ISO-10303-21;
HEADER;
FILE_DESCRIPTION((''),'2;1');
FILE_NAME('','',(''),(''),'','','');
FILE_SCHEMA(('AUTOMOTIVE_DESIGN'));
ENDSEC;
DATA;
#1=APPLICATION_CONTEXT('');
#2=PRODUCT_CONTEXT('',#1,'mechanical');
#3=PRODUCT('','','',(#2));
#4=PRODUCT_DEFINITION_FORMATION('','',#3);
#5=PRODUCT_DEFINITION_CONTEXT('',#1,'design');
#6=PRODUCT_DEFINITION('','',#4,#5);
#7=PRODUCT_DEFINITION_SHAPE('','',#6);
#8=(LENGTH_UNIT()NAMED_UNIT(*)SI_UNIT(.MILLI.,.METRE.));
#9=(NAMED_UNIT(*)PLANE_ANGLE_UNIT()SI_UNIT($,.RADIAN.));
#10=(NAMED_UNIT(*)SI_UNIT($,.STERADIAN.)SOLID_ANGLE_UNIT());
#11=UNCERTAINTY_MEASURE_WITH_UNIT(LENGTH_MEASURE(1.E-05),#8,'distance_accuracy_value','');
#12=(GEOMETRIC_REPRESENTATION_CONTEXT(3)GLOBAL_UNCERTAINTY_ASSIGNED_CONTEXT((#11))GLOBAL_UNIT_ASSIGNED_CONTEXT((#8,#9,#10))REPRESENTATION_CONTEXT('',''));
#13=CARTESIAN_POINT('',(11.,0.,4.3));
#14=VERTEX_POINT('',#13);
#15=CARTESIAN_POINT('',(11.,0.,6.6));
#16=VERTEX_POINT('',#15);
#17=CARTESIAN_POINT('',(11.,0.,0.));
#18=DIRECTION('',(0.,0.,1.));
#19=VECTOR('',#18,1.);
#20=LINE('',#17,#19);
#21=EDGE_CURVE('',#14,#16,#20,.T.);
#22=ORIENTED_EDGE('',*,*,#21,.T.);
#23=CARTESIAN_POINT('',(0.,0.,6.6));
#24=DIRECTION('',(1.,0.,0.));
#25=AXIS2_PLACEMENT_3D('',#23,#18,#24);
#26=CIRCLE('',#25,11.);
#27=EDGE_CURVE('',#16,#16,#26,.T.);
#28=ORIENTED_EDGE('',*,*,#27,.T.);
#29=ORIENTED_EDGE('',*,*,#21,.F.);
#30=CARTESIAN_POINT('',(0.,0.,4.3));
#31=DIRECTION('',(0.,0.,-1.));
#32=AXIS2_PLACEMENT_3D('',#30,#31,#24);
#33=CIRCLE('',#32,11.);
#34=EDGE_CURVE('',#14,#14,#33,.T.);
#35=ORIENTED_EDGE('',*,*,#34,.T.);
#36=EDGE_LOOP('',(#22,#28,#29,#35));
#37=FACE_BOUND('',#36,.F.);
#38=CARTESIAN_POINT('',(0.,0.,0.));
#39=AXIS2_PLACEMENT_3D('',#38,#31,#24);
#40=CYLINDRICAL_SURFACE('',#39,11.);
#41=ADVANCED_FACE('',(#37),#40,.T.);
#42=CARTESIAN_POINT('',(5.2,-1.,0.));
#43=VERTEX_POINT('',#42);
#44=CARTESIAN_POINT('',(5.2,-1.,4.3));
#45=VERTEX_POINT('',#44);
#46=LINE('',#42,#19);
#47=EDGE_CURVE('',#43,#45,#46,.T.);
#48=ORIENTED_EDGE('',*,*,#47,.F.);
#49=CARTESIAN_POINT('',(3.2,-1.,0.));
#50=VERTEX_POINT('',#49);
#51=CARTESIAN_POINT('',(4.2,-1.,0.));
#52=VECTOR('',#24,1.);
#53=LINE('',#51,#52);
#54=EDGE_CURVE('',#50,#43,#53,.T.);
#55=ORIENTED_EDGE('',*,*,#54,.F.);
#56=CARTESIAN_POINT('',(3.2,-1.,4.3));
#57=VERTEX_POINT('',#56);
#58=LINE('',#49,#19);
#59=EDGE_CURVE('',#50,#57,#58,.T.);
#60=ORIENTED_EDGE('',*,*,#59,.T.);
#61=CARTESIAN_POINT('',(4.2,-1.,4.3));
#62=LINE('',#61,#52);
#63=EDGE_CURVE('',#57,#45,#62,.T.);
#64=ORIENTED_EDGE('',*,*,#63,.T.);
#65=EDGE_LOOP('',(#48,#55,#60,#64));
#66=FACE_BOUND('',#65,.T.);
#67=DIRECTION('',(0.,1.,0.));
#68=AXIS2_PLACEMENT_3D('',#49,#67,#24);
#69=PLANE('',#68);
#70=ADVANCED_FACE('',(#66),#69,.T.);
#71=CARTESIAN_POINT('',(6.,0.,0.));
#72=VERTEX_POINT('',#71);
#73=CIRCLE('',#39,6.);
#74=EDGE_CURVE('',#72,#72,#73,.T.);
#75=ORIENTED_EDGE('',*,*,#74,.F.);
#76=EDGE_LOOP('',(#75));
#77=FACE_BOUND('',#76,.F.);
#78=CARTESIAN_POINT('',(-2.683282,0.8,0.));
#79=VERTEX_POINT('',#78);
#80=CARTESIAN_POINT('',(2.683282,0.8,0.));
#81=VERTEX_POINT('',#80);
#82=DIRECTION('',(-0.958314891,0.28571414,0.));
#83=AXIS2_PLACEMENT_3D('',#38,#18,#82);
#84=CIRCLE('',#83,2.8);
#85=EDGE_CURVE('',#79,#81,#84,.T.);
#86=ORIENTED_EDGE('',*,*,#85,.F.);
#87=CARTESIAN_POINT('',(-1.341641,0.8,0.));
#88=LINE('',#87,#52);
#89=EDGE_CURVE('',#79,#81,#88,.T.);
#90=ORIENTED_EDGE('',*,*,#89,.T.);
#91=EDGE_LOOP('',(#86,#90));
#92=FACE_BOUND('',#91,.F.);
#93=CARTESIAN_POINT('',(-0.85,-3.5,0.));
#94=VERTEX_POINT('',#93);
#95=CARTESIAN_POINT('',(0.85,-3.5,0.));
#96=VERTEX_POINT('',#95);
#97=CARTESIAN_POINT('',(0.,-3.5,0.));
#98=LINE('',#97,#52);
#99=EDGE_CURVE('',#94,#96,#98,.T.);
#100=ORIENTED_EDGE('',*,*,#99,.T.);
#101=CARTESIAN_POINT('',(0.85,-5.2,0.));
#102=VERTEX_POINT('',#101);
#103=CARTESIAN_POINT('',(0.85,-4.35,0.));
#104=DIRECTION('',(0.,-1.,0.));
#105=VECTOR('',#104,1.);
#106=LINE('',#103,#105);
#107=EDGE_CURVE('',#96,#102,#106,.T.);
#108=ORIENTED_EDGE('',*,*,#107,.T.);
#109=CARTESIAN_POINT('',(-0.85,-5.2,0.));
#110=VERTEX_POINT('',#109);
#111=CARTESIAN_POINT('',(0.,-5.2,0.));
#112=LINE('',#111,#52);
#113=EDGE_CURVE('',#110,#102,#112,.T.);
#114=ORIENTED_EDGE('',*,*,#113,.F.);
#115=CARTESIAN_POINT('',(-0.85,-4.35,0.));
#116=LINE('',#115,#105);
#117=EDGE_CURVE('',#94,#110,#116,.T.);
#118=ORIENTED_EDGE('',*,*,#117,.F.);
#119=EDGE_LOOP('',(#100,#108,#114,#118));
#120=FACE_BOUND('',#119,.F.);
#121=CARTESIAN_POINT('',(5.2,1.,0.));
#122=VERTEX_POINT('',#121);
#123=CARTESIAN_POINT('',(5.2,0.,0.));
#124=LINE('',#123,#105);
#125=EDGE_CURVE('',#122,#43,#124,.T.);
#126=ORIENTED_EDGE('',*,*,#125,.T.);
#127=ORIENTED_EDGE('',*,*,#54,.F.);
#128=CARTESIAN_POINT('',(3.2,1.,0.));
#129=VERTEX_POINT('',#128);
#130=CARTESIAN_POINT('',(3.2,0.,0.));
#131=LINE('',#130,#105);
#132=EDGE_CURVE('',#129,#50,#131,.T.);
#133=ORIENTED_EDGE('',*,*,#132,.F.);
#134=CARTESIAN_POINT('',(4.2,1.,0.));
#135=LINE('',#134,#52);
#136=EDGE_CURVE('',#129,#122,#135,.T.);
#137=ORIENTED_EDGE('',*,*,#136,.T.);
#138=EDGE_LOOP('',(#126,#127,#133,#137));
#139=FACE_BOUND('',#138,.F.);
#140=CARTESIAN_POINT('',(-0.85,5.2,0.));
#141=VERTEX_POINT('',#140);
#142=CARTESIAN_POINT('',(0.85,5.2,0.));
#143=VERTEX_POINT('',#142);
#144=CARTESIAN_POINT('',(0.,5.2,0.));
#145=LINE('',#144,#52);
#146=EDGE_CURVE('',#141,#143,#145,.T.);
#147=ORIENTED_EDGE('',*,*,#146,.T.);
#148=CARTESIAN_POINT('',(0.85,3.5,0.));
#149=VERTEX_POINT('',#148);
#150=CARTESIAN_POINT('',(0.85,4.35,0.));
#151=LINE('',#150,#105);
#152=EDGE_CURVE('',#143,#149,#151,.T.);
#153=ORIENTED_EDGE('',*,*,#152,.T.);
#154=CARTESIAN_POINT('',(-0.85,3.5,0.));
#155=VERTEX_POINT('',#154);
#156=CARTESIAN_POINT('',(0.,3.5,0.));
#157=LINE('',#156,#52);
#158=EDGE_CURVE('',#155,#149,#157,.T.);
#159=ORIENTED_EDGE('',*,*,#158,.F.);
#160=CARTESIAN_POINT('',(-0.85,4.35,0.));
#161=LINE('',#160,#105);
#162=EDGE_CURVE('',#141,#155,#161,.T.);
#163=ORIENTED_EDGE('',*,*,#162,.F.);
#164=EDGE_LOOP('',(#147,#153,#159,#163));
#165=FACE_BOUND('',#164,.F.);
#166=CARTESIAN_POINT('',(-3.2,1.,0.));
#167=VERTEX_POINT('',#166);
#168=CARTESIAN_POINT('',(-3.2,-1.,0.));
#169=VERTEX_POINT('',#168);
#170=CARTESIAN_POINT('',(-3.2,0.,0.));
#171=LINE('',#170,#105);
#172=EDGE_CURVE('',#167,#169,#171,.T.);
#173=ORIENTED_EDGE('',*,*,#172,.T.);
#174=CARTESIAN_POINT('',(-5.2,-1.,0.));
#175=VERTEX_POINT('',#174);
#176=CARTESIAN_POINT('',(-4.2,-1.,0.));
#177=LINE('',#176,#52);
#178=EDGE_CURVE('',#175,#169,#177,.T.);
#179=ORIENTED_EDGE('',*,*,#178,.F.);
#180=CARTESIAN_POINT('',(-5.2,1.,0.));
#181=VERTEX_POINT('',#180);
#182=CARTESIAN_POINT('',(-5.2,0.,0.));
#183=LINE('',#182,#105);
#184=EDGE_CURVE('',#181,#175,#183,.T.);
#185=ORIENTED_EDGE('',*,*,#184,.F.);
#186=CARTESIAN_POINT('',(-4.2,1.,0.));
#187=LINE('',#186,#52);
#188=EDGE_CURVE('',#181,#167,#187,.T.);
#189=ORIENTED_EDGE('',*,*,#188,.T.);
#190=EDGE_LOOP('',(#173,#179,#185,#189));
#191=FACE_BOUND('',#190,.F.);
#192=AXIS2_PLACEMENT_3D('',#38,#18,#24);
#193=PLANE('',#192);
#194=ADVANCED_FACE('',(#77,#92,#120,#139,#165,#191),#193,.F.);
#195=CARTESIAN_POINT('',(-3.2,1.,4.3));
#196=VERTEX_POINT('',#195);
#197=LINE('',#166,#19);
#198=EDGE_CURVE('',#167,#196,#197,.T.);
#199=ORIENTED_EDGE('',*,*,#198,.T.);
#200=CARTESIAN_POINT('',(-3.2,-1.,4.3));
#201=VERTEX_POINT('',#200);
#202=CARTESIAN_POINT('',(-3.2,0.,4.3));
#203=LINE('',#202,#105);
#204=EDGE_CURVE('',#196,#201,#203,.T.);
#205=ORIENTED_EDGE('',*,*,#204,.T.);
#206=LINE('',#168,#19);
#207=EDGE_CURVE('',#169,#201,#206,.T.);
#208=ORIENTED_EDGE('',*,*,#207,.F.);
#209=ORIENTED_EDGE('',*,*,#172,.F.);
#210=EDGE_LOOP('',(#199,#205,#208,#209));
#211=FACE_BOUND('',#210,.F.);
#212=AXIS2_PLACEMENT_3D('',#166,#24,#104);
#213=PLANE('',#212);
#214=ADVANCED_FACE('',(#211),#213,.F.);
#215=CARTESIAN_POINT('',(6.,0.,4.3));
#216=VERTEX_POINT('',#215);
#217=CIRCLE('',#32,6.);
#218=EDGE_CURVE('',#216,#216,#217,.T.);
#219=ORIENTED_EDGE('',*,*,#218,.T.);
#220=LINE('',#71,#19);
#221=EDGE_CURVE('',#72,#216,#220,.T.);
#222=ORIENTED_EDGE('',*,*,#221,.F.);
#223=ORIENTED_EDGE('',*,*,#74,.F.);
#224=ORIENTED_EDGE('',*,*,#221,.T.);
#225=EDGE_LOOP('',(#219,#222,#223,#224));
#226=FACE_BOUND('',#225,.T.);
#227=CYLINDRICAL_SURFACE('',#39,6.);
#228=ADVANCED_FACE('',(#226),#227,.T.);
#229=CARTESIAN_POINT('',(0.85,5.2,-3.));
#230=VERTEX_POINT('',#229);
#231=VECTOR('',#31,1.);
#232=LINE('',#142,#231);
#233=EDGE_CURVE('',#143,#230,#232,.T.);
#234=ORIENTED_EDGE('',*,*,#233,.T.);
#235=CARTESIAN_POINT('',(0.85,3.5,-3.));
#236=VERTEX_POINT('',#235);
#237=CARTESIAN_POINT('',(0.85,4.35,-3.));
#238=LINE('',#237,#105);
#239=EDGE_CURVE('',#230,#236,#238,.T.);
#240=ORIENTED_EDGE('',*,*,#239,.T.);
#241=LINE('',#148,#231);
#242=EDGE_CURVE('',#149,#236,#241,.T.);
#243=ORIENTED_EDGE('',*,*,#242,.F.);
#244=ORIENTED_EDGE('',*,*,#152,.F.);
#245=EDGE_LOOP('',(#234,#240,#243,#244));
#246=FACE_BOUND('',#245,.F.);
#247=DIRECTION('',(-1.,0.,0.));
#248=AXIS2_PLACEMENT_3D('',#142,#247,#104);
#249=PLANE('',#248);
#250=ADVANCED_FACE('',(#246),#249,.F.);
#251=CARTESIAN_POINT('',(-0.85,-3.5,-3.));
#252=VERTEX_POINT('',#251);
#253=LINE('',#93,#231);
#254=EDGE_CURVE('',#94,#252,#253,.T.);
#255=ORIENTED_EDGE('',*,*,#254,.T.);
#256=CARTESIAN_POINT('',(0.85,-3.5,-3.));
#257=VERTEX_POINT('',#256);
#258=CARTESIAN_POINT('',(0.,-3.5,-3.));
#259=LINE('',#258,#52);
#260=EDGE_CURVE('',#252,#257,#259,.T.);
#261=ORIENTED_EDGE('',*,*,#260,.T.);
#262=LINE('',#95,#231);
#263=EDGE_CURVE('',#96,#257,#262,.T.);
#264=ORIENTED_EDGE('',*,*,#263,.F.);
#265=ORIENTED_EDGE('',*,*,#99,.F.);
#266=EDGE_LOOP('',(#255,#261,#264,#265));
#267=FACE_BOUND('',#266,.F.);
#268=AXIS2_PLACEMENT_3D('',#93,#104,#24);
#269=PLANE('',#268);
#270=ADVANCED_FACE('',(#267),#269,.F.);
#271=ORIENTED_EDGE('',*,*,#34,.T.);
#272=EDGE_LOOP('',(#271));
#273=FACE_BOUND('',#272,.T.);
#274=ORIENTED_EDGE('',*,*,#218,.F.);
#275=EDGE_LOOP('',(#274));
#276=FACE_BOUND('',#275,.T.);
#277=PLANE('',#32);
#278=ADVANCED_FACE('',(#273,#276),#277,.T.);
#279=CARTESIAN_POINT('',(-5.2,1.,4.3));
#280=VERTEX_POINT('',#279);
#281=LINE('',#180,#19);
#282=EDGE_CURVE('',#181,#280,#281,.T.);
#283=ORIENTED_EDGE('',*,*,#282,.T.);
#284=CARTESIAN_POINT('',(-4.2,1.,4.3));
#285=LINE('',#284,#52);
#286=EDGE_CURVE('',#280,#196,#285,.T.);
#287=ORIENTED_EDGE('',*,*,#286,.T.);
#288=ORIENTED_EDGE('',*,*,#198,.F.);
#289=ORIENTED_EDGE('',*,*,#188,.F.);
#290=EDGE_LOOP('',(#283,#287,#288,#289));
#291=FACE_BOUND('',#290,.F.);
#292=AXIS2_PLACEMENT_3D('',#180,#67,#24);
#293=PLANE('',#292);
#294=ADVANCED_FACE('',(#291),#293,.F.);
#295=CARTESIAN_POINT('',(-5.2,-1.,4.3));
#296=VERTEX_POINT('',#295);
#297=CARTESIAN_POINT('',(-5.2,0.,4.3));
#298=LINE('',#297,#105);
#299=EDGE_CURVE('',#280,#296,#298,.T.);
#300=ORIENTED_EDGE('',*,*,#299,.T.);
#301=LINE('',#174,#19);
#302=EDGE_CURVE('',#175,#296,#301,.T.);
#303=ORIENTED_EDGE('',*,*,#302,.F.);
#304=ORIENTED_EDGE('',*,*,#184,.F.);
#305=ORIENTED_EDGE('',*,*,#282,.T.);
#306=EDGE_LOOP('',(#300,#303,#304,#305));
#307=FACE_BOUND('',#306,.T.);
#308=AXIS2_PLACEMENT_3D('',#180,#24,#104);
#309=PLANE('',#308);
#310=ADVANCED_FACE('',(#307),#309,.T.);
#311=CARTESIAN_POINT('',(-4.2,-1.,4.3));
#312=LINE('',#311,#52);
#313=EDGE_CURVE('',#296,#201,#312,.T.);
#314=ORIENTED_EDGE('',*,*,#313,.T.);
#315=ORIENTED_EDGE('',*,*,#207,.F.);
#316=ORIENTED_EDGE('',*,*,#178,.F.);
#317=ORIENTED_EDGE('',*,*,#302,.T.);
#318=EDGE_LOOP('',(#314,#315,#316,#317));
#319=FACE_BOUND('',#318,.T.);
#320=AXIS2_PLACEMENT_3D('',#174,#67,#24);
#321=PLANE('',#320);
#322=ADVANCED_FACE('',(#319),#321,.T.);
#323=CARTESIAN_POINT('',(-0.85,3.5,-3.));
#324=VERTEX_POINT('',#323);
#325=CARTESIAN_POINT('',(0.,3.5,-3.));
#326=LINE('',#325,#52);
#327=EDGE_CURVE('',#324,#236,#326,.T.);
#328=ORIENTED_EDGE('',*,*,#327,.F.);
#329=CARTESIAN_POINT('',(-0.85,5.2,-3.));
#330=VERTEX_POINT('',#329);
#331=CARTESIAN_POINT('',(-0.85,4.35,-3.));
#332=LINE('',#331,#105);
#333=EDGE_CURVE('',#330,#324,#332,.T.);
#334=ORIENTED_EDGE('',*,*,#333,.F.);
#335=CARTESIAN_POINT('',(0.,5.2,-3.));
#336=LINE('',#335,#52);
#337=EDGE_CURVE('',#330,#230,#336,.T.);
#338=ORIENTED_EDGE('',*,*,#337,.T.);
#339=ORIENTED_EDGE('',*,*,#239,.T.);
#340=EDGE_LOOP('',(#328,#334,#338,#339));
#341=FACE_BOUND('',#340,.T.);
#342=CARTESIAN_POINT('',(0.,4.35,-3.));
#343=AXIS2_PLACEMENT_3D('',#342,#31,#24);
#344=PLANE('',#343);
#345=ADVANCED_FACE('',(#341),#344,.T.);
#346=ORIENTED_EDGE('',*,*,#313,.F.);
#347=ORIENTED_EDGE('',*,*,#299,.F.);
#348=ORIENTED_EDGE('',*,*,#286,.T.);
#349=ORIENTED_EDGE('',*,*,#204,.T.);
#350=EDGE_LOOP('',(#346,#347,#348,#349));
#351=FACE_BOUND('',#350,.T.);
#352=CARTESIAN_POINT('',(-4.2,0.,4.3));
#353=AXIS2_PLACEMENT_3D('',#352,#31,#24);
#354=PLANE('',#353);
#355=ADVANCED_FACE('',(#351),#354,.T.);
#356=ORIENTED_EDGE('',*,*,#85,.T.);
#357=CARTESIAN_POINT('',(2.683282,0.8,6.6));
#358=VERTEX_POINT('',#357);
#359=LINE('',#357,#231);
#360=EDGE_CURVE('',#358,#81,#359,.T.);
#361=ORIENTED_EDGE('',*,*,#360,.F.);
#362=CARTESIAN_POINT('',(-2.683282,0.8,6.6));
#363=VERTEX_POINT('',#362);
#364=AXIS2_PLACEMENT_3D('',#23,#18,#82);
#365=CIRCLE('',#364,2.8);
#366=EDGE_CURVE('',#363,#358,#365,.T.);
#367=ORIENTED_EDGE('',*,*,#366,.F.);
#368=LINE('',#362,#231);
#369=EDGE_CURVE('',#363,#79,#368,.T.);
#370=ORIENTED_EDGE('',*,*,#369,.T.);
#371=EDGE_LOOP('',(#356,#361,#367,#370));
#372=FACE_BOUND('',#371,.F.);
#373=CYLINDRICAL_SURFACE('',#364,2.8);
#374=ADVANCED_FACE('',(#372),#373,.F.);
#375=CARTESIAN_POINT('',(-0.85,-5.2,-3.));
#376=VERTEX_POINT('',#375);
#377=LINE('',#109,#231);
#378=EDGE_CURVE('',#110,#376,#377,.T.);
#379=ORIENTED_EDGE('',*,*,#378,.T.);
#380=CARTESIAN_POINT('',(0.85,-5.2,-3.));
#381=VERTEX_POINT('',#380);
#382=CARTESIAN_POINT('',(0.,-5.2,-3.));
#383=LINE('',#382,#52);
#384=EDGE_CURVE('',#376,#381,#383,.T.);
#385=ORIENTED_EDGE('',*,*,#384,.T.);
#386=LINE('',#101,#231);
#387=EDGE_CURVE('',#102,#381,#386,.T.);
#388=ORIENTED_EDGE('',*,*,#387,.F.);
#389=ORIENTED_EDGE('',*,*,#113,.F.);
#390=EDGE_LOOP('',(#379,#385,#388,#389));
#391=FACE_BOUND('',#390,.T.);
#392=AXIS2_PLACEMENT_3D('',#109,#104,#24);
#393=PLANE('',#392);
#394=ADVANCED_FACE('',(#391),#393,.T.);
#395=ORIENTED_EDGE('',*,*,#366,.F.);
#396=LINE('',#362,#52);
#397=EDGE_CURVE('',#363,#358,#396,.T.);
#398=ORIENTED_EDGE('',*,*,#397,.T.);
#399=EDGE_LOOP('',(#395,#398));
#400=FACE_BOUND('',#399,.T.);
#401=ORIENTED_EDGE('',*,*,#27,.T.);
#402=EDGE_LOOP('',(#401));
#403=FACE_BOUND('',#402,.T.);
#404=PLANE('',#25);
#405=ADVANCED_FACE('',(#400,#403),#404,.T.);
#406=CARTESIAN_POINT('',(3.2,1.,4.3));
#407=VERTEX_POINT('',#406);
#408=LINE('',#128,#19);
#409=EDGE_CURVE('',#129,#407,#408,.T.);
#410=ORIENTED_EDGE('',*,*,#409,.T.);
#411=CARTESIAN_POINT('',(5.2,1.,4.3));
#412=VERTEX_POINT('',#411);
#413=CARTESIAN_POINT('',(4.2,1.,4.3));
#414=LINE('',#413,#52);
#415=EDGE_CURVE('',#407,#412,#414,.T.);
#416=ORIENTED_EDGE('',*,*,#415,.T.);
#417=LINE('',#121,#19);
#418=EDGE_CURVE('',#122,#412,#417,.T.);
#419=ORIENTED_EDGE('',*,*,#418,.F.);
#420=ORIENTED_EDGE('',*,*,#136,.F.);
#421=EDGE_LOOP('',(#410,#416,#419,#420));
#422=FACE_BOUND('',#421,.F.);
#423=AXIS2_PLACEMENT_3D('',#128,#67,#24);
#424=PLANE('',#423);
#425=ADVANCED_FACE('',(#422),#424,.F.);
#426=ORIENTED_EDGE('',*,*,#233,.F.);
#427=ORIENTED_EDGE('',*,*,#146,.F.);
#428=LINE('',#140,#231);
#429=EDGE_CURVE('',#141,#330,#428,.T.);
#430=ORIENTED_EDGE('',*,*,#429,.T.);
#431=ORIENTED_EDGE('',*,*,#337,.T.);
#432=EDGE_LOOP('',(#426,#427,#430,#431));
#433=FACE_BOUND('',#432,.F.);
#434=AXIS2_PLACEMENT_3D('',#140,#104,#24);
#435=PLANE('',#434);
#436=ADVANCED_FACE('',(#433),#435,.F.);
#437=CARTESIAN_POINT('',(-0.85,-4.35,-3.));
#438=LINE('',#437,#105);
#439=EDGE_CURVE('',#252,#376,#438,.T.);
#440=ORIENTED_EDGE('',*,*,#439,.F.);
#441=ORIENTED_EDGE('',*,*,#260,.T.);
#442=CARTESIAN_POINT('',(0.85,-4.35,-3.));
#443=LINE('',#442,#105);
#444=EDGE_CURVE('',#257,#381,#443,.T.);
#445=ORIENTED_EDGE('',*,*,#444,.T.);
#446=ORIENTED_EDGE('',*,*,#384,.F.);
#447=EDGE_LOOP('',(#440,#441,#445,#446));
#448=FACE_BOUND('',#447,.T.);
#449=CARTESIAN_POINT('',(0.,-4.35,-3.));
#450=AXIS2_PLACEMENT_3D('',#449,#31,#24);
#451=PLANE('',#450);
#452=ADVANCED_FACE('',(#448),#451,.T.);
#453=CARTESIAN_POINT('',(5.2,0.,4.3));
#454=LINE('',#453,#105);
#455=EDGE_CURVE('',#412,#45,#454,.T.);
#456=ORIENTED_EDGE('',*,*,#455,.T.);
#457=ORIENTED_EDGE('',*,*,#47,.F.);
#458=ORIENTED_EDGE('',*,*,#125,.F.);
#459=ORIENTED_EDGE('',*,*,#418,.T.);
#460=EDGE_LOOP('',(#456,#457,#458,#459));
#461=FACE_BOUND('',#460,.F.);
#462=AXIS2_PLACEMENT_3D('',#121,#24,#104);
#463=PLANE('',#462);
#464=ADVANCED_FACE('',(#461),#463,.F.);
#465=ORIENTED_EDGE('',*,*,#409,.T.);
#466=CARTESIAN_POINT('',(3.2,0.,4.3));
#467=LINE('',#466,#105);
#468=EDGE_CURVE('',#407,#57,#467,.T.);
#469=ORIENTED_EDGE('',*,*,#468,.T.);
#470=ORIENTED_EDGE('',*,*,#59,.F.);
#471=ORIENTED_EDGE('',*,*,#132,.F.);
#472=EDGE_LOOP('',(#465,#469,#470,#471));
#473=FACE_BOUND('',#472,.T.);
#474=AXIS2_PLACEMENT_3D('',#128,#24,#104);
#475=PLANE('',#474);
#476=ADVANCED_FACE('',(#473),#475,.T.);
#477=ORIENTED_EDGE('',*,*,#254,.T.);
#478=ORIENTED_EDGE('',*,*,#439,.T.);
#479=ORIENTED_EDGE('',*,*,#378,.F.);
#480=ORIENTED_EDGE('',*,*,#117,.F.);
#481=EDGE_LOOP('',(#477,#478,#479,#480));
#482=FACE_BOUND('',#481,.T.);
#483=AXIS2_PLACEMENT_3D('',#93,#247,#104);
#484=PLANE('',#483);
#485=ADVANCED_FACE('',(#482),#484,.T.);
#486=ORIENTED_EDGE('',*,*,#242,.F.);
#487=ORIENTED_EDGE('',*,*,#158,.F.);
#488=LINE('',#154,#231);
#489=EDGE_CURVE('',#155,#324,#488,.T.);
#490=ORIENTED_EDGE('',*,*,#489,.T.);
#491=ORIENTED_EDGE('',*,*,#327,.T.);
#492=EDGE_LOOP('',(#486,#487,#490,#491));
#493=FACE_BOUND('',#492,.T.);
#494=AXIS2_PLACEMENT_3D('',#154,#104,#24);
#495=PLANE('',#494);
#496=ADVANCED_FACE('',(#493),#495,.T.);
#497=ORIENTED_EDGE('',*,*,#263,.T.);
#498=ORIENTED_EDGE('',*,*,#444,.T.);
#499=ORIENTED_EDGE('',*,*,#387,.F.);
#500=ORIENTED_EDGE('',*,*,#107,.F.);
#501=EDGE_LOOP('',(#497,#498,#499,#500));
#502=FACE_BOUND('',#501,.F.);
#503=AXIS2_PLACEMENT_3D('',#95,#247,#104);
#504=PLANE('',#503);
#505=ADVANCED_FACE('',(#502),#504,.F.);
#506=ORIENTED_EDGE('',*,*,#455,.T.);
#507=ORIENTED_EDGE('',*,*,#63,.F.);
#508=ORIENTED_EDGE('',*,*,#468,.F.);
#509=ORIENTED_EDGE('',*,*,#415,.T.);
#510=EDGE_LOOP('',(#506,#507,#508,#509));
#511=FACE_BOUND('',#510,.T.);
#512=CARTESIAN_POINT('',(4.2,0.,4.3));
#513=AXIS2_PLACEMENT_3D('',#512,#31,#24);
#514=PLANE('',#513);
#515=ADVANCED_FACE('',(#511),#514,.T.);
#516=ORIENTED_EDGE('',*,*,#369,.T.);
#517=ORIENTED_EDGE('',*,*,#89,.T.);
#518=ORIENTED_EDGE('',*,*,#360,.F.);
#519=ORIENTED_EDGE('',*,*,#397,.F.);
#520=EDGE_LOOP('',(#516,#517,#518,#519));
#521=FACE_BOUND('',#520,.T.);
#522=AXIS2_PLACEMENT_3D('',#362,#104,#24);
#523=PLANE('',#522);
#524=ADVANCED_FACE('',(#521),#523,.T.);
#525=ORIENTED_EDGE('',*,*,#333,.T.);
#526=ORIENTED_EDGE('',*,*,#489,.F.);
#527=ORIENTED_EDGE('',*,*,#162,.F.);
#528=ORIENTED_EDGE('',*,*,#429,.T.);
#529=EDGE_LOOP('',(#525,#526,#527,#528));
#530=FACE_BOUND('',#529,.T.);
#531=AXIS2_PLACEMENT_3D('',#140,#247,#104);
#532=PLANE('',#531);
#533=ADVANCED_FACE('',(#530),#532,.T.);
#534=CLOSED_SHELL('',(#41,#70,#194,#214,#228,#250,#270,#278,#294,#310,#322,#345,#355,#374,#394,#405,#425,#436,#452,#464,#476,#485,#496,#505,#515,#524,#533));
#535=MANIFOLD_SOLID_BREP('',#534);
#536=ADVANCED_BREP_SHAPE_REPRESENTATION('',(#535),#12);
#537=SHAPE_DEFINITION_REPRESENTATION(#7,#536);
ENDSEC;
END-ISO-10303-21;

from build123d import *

# Parameters (mm, degrees)
SKETCH_R        = 11
PAD_DEPTH       = 6.6
SKETCH001_R     = 11
SKETCH001_R_2   = 6
POCKET_DEPTH    = 4.3
POCKET001_DEPTH = 6.601
SKETCH003_W     = 1.7
SKETCH003_H     = 1.7
PAD001_DEPTH    = 3
SKETCH004_W     = 2
SKETCH004_H     = 2
POCKET002_DEPTH = 4.3


with BuildPart() as part:
    # Sketch → Pad (new body)
    with BuildSketch(Plane.XY):
        Circle(SKETCH_R)
    extrude(amount=PAD_DEPTH)

    # Sketch001 → Pocket (cut)
    with BuildSketch(Plane(origin=(0, 0, 0), x_dir=(1, 0, 0), z_dir=(0, 0, -1))):
        Circle(SKETCH001_R)
        Circle(SKETCH001_R_2, mode=Mode.SUBTRACT)
    extrude(amount=-POCKET_DEPTH, mode=Mode.SUBTRACT)

    # Sketch002 → Pocket001 (cut, through all)
    with BuildSketch(Plane.XY.offset(6.6)):
        with BuildLine():
            Line((-2.683282, 0.8), (2.683282, 0.8))
            ThreePointArc((-2.683282, 0.8), (0, -2.8), (2.683282, 0.8))
        make_face()
    extrude(amount=-POCKET001_DEPTH, mode=Mode.SUBTRACT)

    # Sketch003 → Pad001 (new body)
    with BuildSketch(Plane(origin=(0, 0, 0), x_dir=(1, 0, 0), z_dir=(0, 0, -1))):
        with Locations((0, 4.35)):
            Rectangle(SKETCH003_W, SKETCH003_H)
        with Locations((0, -4.35)):
            Rectangle(SKETCH003_W, SKETCH003_H)
    extrude(amount=PAD001_DEPTH)

    # Sketch004 → Pocket002 (cut)
    with BuildSketch(Plane(origin=(0, 0, 0), x_dir=(1, 0, 0), z_dir=(0, 0, -1))):
        with Locations((-4.2, 0)):
            Rectangle(SKETCH004_W, SKETCH004_H)
        with Locations((4.2, 0)):
            Rectangle(SKETCH004_W, SKETCH004_H)
    extrude(amount=-POCKET002_DEPTH, mode=Mode.SUBTRACT)


solid = part.part
